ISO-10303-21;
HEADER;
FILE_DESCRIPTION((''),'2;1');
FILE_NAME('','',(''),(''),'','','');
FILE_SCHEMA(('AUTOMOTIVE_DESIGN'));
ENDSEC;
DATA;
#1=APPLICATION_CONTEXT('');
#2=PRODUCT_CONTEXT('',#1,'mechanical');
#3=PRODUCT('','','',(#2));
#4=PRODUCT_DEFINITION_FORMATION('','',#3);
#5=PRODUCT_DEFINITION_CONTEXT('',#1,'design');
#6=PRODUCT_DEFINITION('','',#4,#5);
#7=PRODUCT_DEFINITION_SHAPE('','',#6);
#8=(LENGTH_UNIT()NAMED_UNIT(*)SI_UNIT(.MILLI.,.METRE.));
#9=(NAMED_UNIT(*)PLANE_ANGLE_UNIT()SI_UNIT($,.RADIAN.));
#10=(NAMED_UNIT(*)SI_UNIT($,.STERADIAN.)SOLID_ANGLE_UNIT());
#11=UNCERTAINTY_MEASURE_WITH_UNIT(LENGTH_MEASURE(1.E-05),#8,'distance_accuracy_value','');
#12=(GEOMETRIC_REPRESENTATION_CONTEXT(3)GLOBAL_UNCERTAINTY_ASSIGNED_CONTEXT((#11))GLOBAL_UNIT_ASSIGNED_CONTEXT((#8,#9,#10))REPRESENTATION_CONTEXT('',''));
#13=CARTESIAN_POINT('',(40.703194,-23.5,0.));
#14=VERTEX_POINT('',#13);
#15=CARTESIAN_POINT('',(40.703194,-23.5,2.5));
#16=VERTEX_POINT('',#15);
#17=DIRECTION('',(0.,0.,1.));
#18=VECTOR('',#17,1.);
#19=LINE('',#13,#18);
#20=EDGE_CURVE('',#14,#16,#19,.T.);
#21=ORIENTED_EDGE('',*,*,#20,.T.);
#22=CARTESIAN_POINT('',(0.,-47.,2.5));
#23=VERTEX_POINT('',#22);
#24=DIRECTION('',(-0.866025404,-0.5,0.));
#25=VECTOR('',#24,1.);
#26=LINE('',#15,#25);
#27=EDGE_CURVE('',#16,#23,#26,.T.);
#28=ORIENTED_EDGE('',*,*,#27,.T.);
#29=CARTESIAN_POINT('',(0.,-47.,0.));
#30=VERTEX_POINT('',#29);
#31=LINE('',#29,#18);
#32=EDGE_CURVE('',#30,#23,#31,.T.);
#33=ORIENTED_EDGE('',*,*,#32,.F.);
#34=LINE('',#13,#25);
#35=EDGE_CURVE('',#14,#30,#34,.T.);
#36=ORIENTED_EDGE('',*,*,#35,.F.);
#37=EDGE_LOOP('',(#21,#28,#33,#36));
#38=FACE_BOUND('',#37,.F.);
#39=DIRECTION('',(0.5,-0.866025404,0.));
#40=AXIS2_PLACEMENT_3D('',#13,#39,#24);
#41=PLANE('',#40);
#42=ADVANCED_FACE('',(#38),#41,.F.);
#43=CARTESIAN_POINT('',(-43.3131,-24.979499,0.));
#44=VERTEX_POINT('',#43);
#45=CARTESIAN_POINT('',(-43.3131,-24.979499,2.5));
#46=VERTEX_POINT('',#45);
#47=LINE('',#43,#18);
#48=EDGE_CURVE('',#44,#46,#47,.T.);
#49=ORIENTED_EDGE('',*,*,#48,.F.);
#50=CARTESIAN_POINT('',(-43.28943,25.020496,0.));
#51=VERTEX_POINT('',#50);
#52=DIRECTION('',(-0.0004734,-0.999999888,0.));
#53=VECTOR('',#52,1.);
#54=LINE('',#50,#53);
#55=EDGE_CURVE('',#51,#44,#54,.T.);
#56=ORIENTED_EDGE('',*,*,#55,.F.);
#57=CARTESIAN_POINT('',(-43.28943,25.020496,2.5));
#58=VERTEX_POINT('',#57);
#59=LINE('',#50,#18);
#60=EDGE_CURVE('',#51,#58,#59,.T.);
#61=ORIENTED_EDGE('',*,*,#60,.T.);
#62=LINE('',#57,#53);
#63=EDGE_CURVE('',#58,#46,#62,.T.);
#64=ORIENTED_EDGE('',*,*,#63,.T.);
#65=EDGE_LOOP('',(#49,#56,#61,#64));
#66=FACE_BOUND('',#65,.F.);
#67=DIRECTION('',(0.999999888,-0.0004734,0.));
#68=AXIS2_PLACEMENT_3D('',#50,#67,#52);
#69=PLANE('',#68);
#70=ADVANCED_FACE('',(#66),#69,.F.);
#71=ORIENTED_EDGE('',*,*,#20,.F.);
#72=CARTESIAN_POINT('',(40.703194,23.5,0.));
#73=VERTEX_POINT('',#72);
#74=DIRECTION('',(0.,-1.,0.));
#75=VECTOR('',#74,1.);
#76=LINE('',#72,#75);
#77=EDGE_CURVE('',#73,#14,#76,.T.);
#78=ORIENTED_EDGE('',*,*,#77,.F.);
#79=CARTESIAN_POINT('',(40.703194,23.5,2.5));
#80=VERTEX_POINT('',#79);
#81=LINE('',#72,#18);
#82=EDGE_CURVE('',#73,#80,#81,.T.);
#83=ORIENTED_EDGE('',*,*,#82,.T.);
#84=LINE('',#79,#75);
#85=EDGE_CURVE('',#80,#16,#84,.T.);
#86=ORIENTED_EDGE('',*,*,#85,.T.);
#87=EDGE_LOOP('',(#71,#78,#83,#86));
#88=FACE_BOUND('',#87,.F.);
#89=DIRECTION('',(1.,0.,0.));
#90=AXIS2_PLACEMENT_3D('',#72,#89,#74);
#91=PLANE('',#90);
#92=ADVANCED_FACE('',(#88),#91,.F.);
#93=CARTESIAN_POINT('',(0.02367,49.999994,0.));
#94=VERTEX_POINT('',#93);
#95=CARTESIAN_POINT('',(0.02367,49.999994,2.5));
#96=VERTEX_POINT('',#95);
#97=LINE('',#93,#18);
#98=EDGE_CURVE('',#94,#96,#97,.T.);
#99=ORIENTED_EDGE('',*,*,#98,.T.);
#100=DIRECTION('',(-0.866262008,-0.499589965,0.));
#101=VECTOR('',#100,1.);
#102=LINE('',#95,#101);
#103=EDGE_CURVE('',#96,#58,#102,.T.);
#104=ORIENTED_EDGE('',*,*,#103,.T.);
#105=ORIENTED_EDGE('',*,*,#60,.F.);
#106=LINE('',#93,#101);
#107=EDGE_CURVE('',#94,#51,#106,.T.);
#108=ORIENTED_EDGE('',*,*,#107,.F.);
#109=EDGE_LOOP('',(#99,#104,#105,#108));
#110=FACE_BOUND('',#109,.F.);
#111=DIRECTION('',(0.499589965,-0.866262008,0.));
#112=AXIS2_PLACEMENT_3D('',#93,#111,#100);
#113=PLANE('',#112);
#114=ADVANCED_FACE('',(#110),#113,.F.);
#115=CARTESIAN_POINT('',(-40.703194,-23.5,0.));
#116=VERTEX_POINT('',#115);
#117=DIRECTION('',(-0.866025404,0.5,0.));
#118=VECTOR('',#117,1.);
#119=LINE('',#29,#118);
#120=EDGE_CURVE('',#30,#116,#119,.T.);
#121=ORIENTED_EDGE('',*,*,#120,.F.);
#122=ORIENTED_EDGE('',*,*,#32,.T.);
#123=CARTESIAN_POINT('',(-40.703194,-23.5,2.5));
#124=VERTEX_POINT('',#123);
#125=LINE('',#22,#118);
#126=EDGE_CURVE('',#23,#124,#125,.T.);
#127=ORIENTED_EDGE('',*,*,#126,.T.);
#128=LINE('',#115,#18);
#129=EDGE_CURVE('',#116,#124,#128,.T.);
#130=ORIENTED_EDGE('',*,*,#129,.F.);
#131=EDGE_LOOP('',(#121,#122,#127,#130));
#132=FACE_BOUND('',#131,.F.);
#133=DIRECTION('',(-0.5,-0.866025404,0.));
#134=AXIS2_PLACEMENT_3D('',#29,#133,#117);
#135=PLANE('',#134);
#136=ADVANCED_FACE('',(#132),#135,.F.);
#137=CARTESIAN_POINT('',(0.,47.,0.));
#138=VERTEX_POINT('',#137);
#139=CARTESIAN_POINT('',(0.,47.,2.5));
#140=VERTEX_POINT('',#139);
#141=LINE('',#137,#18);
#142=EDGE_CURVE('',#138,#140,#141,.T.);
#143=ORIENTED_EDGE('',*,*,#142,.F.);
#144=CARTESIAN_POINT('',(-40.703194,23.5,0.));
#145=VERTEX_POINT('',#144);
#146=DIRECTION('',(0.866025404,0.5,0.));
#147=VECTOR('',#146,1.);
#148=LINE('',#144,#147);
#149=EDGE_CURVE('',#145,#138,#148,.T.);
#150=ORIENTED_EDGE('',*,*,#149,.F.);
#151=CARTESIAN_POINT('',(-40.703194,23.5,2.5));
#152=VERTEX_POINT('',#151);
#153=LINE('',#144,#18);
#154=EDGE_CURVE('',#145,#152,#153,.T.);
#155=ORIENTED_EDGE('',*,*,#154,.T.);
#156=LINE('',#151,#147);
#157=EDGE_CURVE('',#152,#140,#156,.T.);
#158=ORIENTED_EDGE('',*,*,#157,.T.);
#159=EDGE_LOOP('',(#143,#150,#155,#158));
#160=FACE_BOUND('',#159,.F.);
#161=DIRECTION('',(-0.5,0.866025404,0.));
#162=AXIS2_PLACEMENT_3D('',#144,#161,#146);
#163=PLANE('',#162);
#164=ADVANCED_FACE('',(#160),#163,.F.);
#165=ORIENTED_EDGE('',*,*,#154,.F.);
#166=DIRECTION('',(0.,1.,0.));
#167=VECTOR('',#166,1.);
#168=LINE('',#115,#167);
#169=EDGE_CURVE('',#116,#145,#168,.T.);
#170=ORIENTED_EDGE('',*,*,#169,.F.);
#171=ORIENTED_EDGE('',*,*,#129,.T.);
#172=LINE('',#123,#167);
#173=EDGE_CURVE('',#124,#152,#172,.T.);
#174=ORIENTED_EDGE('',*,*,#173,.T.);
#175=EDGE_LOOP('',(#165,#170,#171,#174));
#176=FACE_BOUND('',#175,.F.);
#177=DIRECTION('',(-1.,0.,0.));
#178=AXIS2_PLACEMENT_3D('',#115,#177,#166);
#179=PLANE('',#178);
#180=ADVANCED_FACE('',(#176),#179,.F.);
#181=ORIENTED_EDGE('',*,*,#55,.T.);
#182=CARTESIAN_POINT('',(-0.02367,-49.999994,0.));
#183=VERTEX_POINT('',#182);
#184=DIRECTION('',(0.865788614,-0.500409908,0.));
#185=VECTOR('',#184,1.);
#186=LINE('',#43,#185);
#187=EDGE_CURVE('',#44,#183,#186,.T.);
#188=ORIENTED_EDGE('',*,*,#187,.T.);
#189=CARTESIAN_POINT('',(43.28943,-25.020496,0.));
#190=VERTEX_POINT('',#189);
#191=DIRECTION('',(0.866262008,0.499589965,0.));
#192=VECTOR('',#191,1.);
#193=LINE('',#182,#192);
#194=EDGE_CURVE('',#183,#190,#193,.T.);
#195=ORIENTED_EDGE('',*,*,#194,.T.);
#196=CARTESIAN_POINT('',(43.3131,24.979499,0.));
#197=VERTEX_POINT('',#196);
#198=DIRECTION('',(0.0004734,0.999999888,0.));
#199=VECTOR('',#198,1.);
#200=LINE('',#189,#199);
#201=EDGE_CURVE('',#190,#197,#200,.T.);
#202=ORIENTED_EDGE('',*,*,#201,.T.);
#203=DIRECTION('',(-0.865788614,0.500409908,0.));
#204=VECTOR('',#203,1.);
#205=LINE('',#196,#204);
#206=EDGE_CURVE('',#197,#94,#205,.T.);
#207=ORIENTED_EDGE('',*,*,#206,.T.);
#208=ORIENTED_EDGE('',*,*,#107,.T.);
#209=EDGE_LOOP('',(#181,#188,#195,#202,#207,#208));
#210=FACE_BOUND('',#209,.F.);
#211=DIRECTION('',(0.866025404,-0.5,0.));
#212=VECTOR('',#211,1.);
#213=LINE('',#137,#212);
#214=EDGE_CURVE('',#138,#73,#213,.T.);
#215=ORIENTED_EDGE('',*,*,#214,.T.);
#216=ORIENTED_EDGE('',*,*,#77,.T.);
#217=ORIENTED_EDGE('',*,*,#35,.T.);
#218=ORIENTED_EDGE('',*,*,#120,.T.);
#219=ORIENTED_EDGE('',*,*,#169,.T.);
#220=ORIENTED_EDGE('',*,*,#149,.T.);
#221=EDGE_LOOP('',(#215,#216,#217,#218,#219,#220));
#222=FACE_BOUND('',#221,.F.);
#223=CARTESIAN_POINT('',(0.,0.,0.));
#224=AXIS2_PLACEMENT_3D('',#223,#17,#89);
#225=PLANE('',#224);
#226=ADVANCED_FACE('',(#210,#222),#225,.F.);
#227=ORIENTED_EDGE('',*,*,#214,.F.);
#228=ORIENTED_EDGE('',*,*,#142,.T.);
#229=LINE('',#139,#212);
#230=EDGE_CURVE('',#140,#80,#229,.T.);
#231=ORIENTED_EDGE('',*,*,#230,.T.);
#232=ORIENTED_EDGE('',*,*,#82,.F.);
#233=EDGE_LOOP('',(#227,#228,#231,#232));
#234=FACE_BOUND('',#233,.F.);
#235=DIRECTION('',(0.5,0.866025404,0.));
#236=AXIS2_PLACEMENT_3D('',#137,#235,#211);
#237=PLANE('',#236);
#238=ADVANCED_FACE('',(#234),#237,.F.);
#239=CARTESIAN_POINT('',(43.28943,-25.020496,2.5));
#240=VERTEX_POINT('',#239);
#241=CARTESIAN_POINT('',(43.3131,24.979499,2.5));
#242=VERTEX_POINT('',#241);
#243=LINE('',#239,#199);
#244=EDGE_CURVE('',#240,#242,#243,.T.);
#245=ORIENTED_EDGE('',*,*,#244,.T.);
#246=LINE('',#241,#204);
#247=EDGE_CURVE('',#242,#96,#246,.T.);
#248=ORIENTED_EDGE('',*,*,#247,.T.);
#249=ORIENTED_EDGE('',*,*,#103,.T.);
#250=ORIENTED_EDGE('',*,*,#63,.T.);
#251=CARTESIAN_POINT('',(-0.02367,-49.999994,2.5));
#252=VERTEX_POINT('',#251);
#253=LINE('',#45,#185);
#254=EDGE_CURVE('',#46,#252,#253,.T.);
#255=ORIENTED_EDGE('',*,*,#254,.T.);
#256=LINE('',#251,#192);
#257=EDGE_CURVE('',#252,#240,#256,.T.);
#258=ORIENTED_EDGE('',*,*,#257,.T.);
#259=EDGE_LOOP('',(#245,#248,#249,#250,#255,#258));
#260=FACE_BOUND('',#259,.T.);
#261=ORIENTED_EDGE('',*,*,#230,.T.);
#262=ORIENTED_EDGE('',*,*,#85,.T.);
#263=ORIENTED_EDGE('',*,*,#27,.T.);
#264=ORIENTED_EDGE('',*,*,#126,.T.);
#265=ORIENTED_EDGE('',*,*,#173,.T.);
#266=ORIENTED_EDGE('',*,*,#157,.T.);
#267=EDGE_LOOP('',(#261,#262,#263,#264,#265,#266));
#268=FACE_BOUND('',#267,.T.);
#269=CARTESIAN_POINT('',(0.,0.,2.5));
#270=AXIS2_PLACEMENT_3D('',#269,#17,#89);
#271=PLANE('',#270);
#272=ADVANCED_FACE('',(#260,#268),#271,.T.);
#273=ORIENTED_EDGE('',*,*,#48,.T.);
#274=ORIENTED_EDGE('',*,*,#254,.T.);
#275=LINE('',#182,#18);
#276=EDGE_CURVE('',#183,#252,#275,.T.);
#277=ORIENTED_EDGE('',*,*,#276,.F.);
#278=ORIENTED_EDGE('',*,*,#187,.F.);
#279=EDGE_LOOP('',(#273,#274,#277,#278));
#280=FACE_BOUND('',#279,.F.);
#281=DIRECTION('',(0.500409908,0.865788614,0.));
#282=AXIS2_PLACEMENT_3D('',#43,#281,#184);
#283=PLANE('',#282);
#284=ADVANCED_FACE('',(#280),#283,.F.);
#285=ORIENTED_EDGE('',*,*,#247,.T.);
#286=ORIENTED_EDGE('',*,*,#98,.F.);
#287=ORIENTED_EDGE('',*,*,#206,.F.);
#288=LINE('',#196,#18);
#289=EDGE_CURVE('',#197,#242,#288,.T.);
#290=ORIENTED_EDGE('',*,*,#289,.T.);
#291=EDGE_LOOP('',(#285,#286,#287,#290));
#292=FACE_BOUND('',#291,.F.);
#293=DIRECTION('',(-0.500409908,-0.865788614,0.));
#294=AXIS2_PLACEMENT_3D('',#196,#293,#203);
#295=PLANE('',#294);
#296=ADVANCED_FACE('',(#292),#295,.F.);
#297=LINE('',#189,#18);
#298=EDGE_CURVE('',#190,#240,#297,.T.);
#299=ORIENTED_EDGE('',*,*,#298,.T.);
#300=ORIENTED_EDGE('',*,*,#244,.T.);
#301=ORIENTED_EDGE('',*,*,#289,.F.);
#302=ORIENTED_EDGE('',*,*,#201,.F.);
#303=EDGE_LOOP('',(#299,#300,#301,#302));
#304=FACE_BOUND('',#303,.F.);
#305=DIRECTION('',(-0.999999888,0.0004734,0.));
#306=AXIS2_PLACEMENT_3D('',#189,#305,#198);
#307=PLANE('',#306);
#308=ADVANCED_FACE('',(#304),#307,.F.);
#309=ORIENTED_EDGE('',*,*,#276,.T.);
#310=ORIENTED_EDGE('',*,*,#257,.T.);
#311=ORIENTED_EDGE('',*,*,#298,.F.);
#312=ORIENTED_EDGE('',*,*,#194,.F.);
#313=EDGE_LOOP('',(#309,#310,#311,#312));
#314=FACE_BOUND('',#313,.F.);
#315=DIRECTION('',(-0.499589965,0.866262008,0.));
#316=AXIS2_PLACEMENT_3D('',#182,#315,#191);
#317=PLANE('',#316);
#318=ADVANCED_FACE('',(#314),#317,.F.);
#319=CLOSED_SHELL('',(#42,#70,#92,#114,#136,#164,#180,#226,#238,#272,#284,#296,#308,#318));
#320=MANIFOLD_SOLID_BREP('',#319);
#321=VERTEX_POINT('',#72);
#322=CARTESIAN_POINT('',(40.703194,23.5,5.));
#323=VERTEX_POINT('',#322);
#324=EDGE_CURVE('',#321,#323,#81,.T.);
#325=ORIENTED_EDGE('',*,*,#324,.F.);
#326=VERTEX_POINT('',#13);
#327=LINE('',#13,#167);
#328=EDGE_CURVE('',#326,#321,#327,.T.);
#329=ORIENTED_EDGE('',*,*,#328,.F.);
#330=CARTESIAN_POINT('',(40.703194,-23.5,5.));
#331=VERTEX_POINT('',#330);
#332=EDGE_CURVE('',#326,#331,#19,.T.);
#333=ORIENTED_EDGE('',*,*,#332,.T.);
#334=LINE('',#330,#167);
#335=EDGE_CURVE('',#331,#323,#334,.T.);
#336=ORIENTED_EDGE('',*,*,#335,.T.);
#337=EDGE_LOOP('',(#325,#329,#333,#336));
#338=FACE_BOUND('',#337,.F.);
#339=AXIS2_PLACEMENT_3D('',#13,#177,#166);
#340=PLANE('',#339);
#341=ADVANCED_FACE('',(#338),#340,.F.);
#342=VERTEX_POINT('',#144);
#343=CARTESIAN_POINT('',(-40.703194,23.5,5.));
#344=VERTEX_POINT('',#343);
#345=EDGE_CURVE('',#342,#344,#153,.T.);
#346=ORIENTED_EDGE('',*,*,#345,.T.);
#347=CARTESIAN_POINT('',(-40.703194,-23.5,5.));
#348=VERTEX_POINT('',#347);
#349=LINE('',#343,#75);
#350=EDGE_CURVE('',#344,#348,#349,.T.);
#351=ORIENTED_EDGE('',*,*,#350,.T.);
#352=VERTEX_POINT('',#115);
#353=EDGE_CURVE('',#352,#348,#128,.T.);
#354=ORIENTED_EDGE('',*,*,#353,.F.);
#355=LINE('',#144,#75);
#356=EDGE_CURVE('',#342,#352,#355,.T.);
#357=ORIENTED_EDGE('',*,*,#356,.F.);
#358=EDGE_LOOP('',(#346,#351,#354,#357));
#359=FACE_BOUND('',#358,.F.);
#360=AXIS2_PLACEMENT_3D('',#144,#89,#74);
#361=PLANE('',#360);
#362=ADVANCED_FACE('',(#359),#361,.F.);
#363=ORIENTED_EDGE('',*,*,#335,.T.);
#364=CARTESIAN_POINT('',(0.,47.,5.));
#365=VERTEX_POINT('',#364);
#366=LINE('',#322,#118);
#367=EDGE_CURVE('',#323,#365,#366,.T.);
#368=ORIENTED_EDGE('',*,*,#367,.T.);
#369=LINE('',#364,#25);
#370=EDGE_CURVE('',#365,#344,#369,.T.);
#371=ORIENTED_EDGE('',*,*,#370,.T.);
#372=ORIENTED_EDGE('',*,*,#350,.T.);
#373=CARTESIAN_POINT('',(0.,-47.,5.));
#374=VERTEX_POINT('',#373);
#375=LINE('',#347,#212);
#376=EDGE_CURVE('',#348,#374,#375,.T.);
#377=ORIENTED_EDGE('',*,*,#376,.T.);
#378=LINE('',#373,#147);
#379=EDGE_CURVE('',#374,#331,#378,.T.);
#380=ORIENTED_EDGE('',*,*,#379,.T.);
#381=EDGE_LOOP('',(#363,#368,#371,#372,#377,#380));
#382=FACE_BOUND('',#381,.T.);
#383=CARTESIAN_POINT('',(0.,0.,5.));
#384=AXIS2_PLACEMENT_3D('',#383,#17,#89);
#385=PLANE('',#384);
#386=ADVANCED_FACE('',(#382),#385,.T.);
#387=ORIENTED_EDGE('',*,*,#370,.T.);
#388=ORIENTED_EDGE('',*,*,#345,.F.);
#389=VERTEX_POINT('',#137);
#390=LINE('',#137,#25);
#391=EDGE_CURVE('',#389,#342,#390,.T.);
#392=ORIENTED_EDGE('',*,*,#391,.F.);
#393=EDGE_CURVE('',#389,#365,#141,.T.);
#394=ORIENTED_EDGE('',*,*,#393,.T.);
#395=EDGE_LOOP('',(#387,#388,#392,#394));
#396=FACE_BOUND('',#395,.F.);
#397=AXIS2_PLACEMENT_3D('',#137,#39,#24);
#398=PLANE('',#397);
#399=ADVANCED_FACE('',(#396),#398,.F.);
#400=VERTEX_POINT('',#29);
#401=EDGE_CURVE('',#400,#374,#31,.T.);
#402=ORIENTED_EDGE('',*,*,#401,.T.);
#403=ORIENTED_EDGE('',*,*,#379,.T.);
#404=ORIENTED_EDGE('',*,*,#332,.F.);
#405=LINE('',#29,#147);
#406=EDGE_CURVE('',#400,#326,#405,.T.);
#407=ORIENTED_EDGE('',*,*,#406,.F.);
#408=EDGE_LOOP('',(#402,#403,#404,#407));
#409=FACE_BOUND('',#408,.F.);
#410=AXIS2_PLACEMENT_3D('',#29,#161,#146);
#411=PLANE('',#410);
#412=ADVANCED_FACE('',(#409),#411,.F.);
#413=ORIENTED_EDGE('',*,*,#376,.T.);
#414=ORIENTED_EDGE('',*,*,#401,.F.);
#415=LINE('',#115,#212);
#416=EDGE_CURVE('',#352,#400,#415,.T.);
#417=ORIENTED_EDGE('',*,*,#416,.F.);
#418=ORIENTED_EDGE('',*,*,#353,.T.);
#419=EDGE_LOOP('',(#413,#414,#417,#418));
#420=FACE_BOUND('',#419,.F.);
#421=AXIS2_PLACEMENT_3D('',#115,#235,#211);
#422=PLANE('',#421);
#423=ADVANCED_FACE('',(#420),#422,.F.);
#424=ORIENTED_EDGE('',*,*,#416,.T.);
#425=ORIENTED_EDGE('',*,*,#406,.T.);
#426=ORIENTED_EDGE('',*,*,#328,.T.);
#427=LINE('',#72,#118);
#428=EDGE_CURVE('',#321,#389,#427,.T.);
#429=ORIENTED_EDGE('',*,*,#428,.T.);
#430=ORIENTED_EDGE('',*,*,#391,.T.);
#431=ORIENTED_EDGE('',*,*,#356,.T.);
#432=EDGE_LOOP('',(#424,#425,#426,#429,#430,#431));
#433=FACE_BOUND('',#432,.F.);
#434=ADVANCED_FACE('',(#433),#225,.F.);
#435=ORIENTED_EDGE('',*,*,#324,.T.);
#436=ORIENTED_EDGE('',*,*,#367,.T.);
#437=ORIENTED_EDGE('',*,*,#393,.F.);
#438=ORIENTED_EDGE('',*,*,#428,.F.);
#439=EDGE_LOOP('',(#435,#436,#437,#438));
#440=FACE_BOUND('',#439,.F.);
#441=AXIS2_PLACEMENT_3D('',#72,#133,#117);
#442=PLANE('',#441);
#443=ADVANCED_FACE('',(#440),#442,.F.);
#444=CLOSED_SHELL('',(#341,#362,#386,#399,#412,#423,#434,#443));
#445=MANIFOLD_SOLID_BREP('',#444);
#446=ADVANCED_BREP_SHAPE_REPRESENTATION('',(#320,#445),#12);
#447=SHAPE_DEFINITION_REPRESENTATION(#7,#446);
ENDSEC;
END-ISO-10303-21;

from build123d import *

# Parameters (mm, degrees)
F1_DEPTH = 2.5
F2_DEPTH = 5


with BuildPart() as f1:
    # F0 (on Top) → F1 (new body)
    with BuildSketch(Plane.XY):
        Polygon((-43.3131, -24.979499), (-0.02367, -49.999994), (43.28943, -25.020496), (43.3131, 24.979499), (0.02367, 49.999994), (-43.28943, 25.020496), align=None)
        Polygon((0, -47), (-40.703194, -23.5), (-40.703194, 23.5), (0, 47), (40.703194, 23.5), (40.703194, -23.5), align=None, mode=Mode.SUBTRACT)
    extrude(amount=F1_DEPTH)


with BuildPart() as f2:
    # F0 (on Top) → F2 (new body)
    with BuildSketch(Plane.XY):
        Polygon((-40.703194, 23.5), (-40.703194, -23.5), (0, -47), (40.703194, -23.5), (40.703194, 23.5), (0, 47), align=None)
    extrude(amount=F2_DEPTH)


solid = Compound([f1.part, f2.part])
